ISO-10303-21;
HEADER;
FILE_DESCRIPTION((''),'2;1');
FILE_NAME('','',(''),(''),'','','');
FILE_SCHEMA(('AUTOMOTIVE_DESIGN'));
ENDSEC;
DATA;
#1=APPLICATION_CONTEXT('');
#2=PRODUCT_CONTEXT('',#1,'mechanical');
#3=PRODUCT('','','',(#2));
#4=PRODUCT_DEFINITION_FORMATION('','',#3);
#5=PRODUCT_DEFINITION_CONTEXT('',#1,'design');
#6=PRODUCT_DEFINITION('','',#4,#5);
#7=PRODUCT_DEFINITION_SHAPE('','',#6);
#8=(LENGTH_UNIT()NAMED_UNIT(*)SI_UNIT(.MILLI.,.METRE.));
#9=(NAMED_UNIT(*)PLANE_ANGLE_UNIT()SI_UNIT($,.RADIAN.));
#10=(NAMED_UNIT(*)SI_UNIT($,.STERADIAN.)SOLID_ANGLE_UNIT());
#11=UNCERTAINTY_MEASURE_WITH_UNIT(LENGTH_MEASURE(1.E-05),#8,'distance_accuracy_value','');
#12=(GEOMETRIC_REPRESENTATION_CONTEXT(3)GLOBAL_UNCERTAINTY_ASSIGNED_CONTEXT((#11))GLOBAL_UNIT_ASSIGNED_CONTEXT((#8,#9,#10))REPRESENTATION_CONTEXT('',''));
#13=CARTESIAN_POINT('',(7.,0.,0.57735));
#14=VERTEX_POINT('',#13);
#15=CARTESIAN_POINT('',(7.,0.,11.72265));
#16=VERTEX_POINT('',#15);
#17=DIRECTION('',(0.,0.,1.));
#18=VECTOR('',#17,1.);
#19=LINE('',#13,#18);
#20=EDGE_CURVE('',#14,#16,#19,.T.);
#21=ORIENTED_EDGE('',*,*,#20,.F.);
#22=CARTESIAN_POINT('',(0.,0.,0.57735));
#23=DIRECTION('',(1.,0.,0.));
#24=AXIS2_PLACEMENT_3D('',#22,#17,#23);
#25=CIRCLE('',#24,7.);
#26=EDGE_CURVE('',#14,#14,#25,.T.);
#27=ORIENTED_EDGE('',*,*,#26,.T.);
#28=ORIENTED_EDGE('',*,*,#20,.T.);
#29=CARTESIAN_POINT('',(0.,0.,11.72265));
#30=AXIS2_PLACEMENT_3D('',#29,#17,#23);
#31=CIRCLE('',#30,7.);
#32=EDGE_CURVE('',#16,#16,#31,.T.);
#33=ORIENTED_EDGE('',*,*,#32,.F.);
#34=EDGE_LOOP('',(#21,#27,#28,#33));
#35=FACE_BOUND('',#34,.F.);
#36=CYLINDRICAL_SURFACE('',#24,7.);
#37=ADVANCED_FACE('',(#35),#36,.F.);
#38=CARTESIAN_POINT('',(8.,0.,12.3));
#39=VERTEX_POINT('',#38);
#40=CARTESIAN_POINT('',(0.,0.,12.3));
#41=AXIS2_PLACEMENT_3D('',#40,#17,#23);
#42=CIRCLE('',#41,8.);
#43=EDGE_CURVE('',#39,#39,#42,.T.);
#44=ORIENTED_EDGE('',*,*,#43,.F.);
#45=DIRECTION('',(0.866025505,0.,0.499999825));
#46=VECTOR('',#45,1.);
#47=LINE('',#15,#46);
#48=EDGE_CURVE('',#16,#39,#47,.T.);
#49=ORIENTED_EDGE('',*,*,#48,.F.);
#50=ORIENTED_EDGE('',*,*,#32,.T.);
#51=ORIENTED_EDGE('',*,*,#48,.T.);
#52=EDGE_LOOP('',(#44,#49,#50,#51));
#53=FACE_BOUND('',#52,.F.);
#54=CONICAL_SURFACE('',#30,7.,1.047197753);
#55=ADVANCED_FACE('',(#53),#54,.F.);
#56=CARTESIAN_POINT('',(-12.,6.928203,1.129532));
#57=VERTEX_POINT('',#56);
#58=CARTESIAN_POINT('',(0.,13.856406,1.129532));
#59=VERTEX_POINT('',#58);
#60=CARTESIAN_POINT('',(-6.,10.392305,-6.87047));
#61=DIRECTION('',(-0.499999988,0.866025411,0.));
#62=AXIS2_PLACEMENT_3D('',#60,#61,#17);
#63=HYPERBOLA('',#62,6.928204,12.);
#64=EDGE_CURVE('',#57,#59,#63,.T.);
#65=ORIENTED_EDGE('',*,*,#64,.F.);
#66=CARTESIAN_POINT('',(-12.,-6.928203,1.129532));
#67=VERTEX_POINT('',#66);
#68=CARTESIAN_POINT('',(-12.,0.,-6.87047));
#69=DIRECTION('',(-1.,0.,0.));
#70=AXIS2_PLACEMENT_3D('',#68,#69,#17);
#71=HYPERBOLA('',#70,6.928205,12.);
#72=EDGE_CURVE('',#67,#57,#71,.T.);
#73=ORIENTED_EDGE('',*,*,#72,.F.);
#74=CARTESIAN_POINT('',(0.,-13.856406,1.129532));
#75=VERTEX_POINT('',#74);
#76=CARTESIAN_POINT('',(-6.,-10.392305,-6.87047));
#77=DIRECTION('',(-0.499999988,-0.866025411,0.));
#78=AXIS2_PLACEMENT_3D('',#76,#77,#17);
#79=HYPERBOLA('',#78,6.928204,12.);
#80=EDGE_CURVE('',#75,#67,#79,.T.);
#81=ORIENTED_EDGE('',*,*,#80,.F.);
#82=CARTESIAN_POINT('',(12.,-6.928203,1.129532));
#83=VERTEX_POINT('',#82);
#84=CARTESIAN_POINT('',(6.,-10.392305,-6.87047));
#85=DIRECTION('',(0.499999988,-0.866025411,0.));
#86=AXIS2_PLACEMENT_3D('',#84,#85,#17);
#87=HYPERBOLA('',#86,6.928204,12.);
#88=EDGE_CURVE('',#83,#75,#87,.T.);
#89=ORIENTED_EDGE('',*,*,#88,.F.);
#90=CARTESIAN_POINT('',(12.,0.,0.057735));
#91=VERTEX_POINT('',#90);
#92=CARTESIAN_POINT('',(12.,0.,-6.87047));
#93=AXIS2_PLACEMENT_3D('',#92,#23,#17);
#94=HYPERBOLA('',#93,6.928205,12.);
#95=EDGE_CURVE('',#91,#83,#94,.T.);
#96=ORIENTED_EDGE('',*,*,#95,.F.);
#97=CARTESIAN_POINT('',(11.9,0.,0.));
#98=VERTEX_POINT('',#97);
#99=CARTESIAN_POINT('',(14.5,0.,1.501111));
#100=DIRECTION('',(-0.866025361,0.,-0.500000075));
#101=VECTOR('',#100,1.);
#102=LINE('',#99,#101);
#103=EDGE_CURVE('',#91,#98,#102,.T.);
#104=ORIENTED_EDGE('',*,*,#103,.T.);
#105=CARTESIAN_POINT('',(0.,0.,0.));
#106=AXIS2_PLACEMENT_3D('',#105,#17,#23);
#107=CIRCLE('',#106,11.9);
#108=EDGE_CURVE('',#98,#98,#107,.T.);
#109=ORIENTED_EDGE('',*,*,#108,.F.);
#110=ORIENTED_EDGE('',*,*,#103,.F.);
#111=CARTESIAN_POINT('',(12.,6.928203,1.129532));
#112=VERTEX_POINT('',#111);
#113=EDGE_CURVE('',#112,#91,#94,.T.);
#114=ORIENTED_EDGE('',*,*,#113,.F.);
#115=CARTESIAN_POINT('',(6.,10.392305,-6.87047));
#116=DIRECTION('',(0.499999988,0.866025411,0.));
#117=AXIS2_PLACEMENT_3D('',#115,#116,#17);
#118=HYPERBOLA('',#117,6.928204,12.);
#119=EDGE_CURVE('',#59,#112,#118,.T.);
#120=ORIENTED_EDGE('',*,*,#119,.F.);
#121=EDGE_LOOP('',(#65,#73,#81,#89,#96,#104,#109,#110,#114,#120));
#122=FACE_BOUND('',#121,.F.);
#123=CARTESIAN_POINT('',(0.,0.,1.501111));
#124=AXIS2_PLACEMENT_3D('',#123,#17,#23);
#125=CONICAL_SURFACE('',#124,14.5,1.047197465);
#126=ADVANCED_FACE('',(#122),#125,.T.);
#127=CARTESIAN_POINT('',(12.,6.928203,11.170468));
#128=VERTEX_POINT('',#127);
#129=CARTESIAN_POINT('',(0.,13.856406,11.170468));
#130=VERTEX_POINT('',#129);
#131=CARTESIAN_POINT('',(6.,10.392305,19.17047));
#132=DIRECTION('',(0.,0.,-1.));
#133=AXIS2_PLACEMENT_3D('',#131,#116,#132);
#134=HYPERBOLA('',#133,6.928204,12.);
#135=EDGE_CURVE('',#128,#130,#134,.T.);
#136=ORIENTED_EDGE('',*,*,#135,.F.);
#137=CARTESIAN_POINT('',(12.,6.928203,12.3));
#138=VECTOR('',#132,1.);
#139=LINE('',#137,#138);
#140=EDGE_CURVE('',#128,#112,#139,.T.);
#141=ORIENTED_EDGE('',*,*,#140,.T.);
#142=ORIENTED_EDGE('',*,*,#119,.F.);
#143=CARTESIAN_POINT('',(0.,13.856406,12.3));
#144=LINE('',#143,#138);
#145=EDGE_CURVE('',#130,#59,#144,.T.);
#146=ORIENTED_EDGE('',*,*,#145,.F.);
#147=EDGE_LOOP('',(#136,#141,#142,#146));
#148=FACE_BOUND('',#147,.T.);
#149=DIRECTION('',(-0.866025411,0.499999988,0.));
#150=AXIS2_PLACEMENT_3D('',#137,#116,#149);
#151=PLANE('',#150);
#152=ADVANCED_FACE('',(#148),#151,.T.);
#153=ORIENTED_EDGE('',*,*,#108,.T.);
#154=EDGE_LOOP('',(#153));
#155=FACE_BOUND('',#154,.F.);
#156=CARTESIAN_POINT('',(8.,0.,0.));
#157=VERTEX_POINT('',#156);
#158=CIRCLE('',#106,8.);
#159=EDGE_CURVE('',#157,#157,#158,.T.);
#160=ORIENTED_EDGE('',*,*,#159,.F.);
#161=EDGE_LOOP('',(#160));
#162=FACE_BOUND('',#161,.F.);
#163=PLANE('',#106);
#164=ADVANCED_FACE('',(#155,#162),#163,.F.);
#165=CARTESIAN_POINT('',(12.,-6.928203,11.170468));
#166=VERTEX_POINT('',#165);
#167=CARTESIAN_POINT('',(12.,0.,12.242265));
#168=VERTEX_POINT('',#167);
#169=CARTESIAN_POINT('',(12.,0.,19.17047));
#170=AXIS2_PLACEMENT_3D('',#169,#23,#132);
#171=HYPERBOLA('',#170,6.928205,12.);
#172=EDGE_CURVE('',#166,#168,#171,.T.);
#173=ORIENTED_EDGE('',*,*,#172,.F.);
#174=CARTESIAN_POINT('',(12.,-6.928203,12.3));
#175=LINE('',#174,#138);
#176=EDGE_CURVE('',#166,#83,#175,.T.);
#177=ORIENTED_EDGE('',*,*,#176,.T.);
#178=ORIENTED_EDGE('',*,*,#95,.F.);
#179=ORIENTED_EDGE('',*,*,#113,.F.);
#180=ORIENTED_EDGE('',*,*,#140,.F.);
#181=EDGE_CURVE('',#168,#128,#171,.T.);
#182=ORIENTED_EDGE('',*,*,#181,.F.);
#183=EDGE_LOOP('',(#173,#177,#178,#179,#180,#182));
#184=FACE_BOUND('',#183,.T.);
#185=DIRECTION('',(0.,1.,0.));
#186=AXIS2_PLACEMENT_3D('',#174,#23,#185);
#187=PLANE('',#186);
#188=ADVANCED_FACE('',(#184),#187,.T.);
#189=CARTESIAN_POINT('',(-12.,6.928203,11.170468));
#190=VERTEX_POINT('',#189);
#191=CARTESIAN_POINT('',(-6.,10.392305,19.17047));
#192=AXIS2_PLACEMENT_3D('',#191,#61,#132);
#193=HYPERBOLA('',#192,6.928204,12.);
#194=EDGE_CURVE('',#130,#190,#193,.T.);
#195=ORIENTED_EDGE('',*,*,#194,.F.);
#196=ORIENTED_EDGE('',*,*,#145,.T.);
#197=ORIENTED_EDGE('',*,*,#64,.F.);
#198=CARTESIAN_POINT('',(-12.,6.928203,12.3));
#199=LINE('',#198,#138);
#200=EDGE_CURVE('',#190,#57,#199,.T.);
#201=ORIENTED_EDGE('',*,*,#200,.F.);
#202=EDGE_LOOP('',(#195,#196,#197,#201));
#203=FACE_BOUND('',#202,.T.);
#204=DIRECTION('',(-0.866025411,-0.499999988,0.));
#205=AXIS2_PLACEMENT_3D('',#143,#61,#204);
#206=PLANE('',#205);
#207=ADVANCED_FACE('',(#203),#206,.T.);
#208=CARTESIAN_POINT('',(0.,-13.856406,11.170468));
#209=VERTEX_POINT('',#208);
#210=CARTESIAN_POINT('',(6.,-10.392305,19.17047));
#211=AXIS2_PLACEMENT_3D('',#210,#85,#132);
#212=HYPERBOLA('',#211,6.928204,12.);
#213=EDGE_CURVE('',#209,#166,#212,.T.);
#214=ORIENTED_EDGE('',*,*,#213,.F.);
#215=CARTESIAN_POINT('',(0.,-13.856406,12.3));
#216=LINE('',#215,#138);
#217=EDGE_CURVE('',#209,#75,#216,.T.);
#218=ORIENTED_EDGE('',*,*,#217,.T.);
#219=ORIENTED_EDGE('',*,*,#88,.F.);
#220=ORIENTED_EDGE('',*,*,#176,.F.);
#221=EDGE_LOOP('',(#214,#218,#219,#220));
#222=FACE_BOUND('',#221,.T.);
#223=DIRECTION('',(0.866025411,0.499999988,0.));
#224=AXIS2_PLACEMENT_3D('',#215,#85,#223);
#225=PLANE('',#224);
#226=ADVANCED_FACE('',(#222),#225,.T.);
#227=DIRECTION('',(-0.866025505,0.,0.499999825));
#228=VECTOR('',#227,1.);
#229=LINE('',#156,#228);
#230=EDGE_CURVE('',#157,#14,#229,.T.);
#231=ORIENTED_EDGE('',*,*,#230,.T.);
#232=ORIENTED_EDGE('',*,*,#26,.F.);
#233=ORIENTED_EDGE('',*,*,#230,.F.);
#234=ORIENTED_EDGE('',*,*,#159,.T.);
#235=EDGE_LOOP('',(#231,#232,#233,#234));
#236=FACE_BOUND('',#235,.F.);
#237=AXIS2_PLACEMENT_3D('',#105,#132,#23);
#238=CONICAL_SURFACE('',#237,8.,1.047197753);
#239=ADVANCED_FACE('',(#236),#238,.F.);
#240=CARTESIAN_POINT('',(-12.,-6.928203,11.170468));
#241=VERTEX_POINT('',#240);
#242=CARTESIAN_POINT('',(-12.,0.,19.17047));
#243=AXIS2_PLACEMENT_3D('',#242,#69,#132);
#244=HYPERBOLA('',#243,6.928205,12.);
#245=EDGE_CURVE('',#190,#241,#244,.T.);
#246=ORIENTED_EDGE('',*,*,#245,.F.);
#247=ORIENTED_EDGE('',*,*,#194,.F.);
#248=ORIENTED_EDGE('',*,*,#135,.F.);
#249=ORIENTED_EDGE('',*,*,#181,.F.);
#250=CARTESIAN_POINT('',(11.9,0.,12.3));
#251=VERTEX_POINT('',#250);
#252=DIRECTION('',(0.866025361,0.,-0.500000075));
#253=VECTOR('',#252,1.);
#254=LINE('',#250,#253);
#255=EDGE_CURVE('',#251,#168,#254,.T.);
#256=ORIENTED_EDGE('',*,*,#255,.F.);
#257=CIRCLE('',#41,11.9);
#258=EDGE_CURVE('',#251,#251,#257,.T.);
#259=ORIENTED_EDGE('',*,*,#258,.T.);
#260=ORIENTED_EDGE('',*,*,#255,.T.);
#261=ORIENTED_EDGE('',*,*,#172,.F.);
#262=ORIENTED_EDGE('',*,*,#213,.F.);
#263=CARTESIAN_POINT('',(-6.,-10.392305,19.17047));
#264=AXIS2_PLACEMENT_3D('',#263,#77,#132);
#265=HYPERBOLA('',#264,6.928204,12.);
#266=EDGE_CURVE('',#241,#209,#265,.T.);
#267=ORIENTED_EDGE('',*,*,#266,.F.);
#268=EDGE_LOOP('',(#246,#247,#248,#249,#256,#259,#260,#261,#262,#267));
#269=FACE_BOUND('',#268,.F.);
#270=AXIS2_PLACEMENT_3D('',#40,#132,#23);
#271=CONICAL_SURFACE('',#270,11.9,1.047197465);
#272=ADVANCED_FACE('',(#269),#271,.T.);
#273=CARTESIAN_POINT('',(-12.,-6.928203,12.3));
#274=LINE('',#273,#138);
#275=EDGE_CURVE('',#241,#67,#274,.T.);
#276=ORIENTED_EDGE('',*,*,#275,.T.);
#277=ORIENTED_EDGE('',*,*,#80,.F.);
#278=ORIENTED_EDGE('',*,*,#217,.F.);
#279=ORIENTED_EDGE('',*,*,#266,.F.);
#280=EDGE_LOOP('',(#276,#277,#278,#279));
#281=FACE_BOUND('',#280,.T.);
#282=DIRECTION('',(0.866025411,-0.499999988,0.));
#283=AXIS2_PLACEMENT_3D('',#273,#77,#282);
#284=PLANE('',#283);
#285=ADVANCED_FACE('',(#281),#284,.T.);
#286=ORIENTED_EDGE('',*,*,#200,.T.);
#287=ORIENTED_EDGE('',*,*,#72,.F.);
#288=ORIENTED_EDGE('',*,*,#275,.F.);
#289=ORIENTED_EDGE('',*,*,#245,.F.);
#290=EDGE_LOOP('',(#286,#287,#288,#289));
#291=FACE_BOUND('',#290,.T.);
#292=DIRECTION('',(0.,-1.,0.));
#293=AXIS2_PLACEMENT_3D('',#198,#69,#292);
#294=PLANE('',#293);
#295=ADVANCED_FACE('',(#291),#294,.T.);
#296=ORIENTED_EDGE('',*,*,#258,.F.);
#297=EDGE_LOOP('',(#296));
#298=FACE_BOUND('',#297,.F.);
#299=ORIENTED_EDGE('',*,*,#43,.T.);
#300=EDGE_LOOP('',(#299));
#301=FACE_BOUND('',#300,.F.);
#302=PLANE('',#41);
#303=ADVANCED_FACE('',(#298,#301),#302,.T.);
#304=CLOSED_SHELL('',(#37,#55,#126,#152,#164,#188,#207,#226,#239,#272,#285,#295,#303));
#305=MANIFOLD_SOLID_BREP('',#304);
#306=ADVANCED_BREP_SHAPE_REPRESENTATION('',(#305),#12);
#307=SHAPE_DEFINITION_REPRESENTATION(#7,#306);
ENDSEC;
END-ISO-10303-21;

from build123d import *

# Parameters (mm, degrees)
SKETCH001_R  = 14.5
POCKET_DEPTH = 12.3


with BuildPart() as part:
    # Sketch → Revolution (revolve)
    with BuildSketch(Plane.XZ):
        Polygon((8, 0), (7, 0.57735), (7, 11.72265), (8, 12.3), (11.9, 12.3), (14.5, 10.798889), (14.5, 1.501111), (11.9, 0), align=None)
    revolve(axis=Axis((0, 0, 0), (0, 0, 1)))

    # Sketch001 → Pocket (cut)
    with BuildSketch(Plane(origin=(0, 0, 12.3), x_dir=(-1, 0, 0), z_dir=(0, 0, 1))):
        Circle(SKETCH001_R)
        Polygon((-12, 6.928203), (-12, -6.928203), (0, -13.856406), (12, -6.928203), (12, 6.928203), (0, 13.856406), align=None, mode=Mode.SUBTRACT)
    extrude(amount=-POCKET_DEPTH, mode=Mode.SUBTRACT)


solid = part.part
